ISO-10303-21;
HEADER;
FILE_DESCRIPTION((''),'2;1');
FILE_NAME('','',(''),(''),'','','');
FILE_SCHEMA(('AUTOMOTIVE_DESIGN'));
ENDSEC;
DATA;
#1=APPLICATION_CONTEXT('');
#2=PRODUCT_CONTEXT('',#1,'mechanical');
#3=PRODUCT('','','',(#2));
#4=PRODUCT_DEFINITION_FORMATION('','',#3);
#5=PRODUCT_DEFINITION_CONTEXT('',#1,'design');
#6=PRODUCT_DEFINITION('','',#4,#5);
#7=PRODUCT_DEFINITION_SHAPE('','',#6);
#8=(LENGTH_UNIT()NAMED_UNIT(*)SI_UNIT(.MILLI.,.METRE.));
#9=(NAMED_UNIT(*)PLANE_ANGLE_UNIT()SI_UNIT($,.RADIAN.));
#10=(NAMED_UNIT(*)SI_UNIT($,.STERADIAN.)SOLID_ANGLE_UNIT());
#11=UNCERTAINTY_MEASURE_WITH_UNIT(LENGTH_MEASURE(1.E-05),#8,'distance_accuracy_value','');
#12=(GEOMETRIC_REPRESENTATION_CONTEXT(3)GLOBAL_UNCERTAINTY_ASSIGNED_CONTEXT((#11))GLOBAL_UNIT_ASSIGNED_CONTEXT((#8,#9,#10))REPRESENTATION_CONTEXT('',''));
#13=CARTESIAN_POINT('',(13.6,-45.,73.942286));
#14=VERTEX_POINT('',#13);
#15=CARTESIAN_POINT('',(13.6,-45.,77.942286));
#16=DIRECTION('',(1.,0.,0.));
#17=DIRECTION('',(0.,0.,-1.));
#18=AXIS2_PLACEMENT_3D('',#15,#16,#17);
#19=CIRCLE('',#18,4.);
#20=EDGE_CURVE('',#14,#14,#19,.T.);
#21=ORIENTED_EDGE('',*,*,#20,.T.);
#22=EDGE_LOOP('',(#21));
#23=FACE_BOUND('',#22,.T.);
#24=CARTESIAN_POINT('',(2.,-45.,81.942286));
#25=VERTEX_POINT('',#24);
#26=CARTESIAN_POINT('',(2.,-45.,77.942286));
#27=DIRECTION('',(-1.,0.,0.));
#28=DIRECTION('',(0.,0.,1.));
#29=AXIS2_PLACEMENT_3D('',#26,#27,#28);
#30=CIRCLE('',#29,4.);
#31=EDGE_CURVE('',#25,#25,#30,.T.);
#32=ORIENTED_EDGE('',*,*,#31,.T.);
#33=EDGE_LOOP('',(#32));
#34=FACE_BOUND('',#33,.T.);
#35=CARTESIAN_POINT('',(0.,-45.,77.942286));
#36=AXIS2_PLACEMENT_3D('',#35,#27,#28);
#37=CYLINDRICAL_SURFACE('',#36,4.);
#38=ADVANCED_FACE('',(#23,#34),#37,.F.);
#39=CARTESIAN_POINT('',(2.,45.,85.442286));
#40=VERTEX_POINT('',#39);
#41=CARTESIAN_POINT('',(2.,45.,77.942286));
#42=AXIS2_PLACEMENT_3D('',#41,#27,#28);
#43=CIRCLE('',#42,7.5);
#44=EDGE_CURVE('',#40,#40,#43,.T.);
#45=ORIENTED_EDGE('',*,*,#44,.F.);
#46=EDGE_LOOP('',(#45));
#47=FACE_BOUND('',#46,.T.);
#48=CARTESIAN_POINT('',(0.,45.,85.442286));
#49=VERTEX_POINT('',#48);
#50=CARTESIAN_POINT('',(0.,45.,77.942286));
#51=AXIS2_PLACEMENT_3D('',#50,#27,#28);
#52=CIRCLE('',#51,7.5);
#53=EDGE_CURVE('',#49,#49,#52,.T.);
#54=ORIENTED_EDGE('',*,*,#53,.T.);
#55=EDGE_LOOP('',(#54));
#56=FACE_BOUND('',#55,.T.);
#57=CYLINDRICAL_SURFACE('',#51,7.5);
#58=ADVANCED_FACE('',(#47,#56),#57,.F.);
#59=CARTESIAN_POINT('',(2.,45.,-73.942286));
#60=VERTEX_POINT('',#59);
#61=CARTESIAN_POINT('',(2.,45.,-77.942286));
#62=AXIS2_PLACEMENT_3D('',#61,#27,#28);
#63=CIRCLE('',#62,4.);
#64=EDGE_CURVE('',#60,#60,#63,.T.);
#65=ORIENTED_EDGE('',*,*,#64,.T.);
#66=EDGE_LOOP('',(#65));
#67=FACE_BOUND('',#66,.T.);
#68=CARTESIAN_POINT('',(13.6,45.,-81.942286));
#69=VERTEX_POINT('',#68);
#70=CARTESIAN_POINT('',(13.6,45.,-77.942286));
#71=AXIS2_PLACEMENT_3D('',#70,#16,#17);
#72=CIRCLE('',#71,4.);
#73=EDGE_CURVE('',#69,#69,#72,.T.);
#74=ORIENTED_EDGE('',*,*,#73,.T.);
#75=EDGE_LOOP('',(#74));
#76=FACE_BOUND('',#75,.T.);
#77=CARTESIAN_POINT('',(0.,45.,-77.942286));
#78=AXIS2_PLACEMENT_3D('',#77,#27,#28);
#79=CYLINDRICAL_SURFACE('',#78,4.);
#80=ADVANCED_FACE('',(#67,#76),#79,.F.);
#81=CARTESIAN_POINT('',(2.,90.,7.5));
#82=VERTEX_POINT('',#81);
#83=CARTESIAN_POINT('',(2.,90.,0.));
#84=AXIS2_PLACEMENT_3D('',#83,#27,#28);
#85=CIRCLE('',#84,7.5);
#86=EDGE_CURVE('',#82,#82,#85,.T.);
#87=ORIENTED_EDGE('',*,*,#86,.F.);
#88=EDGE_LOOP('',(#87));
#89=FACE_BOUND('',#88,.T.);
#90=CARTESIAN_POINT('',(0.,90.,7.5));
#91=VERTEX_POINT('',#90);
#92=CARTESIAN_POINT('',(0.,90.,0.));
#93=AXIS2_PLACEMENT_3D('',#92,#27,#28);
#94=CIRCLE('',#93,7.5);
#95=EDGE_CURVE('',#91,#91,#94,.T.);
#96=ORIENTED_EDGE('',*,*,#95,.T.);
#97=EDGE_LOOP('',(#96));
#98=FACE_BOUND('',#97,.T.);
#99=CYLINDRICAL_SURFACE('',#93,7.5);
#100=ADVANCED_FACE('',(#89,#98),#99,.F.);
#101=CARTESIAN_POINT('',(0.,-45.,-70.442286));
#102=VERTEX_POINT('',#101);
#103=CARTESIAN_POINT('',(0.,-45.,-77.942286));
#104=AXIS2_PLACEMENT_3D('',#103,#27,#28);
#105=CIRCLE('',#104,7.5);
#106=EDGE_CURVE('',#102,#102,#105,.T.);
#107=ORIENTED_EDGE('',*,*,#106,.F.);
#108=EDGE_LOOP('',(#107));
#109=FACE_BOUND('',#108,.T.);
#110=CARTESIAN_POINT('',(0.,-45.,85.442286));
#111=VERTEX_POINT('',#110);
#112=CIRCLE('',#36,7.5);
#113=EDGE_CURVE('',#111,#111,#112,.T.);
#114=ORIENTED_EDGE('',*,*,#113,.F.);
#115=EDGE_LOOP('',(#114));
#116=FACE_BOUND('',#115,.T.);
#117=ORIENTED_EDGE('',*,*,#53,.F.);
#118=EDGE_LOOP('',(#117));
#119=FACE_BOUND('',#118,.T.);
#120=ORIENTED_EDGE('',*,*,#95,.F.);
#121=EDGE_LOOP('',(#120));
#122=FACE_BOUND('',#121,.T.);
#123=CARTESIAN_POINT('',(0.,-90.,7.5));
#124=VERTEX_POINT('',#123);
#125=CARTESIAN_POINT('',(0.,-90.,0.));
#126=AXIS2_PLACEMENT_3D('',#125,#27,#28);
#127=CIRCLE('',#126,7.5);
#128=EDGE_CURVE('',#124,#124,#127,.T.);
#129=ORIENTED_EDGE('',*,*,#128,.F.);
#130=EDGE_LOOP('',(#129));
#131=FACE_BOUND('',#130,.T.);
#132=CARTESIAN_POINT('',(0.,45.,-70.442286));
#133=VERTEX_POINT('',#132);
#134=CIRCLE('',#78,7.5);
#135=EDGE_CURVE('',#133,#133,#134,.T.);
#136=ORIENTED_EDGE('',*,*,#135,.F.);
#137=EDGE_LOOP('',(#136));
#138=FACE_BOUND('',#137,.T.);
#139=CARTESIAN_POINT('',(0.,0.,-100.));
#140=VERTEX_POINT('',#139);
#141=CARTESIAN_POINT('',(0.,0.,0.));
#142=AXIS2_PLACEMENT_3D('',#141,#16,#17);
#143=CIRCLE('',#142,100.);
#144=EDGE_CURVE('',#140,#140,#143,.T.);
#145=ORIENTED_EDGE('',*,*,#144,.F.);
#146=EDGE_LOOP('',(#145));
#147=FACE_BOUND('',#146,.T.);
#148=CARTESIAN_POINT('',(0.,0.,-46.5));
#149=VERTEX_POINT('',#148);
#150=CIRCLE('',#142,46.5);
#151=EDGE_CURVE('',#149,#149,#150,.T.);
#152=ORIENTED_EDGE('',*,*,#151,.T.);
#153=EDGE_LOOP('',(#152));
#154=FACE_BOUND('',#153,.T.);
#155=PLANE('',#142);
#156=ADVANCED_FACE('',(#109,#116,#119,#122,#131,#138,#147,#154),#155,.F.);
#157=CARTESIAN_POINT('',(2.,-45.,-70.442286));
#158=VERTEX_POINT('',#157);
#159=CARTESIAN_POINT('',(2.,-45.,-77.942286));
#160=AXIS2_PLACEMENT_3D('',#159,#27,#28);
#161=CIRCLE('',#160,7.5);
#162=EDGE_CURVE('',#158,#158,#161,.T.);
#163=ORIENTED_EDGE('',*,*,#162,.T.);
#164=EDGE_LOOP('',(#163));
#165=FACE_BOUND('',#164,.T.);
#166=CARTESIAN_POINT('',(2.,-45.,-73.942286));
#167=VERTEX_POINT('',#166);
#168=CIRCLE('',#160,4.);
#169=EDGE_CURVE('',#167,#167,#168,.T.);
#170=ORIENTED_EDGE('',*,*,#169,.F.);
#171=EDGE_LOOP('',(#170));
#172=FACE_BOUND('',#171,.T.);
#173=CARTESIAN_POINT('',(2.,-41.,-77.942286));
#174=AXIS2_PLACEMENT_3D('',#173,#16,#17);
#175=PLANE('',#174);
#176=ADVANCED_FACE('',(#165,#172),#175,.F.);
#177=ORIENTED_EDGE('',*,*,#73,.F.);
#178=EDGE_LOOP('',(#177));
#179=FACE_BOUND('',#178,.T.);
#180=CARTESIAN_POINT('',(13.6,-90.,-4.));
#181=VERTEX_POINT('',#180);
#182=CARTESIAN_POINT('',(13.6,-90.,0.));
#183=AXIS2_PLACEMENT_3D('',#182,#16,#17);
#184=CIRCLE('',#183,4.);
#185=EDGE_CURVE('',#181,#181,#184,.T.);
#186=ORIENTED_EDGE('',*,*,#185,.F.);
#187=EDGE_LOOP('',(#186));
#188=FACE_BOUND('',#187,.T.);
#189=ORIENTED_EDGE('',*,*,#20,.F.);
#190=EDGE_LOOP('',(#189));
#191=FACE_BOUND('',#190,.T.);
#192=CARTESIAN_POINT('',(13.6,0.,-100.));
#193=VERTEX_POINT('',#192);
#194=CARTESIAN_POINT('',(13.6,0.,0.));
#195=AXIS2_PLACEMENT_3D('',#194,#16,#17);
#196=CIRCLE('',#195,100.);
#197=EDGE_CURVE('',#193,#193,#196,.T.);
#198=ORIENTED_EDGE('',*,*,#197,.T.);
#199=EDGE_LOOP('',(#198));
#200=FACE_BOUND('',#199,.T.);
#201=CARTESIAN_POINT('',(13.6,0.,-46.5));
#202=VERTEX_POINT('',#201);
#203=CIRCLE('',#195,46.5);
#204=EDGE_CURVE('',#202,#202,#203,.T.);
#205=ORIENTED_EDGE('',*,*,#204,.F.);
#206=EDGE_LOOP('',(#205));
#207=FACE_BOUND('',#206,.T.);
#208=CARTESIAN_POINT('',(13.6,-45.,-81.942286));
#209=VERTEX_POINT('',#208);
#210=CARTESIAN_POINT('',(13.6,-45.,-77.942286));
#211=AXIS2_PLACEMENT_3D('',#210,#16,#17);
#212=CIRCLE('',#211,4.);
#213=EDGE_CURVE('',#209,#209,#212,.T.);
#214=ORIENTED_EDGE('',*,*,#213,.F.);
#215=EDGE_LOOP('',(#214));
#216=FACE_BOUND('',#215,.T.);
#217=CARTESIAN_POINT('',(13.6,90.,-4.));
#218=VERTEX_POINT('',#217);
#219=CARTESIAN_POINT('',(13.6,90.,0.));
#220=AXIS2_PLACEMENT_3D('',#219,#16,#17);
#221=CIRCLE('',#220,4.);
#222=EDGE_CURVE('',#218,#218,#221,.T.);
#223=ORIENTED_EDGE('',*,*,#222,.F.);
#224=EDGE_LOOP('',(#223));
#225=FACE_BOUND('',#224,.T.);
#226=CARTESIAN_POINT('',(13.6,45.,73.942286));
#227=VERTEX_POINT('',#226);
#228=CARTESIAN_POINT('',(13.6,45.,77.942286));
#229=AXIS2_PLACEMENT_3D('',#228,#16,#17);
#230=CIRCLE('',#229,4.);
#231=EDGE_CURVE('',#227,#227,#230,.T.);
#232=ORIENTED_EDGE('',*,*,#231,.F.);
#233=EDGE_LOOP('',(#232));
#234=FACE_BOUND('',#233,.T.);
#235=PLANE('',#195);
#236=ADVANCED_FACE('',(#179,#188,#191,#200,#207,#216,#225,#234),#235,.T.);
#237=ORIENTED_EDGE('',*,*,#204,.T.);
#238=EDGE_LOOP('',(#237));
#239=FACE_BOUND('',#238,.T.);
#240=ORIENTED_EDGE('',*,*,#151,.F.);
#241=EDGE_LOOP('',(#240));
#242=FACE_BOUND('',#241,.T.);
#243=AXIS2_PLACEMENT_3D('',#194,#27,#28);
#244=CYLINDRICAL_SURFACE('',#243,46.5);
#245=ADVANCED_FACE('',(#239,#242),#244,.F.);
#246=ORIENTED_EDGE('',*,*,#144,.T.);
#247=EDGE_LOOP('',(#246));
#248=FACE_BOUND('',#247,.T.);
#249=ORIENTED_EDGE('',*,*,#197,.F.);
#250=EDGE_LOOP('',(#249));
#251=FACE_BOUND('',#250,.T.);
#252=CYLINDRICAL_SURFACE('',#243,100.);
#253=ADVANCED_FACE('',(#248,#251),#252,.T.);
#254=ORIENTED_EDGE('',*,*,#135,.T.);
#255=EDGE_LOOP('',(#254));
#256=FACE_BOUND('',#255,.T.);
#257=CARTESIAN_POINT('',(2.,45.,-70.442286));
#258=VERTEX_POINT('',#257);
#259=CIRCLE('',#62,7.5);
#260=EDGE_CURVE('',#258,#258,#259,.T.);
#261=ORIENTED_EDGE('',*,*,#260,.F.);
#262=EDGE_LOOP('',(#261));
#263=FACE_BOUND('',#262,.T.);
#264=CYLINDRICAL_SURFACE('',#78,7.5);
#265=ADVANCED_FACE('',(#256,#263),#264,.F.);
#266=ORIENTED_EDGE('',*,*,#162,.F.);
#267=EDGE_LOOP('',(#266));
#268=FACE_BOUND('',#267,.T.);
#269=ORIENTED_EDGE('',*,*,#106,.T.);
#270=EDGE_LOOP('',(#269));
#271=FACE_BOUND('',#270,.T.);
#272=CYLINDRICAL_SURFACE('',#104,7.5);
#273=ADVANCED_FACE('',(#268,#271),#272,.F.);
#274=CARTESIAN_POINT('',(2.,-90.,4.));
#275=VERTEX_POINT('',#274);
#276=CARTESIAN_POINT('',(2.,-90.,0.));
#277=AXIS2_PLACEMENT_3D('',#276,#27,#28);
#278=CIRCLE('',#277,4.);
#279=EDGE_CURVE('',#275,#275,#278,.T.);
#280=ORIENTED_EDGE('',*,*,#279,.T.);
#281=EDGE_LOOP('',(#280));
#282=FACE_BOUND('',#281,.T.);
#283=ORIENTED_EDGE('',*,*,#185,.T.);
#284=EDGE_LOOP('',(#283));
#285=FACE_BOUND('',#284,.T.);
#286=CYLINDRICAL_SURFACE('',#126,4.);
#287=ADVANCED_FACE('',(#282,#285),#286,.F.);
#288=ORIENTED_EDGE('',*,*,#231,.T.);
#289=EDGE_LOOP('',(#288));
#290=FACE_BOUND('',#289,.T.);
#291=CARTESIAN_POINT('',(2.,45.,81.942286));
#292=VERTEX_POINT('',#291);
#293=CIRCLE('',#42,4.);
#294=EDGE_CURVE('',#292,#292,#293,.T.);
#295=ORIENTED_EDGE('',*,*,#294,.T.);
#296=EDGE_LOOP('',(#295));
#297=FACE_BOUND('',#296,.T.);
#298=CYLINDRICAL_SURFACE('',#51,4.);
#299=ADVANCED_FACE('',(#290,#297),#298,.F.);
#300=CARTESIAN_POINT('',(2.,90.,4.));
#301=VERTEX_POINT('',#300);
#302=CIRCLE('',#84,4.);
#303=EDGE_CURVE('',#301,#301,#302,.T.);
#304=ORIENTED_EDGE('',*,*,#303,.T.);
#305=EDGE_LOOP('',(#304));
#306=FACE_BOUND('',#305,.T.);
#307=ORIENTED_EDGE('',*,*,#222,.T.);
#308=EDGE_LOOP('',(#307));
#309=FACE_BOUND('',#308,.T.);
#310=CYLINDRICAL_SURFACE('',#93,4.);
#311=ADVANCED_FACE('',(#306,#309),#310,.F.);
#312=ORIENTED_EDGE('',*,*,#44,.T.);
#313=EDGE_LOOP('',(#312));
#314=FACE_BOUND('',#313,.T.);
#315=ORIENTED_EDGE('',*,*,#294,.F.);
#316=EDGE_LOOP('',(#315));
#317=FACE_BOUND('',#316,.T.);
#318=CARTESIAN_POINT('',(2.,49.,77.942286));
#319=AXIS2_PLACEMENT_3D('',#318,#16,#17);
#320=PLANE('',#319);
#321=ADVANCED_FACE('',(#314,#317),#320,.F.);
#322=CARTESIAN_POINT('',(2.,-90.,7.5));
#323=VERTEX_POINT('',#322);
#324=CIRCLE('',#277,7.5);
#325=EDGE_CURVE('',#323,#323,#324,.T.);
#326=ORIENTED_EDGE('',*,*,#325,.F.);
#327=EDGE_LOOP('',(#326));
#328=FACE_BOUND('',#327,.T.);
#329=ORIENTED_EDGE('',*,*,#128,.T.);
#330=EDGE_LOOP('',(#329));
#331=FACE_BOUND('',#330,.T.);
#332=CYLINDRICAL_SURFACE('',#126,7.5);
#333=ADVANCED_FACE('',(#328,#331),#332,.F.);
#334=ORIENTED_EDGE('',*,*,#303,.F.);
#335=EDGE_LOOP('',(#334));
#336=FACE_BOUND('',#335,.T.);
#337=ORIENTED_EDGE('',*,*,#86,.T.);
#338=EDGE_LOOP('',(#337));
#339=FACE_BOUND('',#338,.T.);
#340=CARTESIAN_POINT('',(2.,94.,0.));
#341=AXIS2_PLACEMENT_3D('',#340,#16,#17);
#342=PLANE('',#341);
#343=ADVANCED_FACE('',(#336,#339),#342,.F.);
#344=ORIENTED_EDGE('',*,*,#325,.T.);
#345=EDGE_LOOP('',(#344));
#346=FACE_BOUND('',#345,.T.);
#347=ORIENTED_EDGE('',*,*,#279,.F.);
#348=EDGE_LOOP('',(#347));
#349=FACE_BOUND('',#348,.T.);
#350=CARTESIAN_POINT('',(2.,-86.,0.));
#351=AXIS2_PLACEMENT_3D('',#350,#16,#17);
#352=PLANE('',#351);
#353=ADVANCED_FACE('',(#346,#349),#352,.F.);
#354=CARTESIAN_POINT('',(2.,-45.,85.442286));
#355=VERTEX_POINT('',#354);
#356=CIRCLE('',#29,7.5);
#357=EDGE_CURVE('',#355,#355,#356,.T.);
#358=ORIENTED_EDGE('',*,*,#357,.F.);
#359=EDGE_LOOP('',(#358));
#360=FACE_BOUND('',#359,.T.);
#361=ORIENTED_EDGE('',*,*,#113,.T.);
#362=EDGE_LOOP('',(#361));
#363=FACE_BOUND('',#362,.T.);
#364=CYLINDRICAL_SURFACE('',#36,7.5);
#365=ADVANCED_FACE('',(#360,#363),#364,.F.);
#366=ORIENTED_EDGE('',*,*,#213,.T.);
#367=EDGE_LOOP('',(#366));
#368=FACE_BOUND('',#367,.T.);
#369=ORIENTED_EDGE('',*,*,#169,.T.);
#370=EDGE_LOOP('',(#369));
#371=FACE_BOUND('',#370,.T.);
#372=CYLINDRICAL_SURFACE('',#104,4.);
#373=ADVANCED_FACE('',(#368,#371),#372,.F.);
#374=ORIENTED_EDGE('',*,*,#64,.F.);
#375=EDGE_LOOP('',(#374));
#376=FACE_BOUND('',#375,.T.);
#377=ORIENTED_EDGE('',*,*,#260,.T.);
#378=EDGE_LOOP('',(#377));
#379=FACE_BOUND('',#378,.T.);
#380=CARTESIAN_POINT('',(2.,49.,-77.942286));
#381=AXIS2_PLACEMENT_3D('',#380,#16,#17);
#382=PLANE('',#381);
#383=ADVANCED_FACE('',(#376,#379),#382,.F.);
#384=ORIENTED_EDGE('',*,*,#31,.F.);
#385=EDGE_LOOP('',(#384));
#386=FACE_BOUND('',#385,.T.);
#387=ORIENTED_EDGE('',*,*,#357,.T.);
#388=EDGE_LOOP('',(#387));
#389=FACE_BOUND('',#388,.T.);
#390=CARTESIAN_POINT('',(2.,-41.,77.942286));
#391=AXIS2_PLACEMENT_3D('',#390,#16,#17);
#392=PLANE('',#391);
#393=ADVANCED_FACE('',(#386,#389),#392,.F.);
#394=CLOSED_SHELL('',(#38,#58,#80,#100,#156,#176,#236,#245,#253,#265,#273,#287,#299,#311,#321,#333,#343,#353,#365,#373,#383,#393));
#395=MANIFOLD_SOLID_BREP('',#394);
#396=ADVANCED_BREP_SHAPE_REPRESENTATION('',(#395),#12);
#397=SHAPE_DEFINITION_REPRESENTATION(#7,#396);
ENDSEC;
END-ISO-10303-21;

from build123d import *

# Parameters (mm, degrees)
SKETCH1_R           = 100
SKETCH1_R_2         = 46.5
BOSS_EXTRUDE1_DEPTH = 13.6
HOLE1_D             = 8
HOLE1_DEPTH         = 15
HOLE1_CBORE_D       = 15
HOLE1_CBORE_DEPTH   = 2
HOLE1_TIP           = 2.403442476


with BuildPart() as part:
    # Sketch1 → Boss-Extrude1 (new body)
    with BuildSketch(Plane(origin=(0, 0, 0), x_dir=(0, 0, -1), z_dir=(1, 0, 0))):
        Circle(SKETCH1_R)
        Circle(SKETCH1_R_2, mode=Mode.SUBTRACT)
    extrude(amount=BOSS_EXTRUDE1_DEPTH)

    # Hole1
    with Locations(Plane.ZY):
        with Locations((-77.942286341, 45), (0, 90), (77.942286341, 45), (77.942286341, -45), (0, -90), (-77.942286341, -45)):
            CounterBoreHole(HOLE1_D / 2, HOLE1_CBORE_D / 2, HOLE1_CBORE_DEPTH, depth=HOLE1_DEPTH)
            with Locations((0, 0, -(HOLE1_DEPTH + HOLE1_TIP / 2))):  # 118° drill point
                Cone(0, HOLE1_D / 2, HOLE1_TIP, mode=Mode.SUBTRACT)


solid = part.part
